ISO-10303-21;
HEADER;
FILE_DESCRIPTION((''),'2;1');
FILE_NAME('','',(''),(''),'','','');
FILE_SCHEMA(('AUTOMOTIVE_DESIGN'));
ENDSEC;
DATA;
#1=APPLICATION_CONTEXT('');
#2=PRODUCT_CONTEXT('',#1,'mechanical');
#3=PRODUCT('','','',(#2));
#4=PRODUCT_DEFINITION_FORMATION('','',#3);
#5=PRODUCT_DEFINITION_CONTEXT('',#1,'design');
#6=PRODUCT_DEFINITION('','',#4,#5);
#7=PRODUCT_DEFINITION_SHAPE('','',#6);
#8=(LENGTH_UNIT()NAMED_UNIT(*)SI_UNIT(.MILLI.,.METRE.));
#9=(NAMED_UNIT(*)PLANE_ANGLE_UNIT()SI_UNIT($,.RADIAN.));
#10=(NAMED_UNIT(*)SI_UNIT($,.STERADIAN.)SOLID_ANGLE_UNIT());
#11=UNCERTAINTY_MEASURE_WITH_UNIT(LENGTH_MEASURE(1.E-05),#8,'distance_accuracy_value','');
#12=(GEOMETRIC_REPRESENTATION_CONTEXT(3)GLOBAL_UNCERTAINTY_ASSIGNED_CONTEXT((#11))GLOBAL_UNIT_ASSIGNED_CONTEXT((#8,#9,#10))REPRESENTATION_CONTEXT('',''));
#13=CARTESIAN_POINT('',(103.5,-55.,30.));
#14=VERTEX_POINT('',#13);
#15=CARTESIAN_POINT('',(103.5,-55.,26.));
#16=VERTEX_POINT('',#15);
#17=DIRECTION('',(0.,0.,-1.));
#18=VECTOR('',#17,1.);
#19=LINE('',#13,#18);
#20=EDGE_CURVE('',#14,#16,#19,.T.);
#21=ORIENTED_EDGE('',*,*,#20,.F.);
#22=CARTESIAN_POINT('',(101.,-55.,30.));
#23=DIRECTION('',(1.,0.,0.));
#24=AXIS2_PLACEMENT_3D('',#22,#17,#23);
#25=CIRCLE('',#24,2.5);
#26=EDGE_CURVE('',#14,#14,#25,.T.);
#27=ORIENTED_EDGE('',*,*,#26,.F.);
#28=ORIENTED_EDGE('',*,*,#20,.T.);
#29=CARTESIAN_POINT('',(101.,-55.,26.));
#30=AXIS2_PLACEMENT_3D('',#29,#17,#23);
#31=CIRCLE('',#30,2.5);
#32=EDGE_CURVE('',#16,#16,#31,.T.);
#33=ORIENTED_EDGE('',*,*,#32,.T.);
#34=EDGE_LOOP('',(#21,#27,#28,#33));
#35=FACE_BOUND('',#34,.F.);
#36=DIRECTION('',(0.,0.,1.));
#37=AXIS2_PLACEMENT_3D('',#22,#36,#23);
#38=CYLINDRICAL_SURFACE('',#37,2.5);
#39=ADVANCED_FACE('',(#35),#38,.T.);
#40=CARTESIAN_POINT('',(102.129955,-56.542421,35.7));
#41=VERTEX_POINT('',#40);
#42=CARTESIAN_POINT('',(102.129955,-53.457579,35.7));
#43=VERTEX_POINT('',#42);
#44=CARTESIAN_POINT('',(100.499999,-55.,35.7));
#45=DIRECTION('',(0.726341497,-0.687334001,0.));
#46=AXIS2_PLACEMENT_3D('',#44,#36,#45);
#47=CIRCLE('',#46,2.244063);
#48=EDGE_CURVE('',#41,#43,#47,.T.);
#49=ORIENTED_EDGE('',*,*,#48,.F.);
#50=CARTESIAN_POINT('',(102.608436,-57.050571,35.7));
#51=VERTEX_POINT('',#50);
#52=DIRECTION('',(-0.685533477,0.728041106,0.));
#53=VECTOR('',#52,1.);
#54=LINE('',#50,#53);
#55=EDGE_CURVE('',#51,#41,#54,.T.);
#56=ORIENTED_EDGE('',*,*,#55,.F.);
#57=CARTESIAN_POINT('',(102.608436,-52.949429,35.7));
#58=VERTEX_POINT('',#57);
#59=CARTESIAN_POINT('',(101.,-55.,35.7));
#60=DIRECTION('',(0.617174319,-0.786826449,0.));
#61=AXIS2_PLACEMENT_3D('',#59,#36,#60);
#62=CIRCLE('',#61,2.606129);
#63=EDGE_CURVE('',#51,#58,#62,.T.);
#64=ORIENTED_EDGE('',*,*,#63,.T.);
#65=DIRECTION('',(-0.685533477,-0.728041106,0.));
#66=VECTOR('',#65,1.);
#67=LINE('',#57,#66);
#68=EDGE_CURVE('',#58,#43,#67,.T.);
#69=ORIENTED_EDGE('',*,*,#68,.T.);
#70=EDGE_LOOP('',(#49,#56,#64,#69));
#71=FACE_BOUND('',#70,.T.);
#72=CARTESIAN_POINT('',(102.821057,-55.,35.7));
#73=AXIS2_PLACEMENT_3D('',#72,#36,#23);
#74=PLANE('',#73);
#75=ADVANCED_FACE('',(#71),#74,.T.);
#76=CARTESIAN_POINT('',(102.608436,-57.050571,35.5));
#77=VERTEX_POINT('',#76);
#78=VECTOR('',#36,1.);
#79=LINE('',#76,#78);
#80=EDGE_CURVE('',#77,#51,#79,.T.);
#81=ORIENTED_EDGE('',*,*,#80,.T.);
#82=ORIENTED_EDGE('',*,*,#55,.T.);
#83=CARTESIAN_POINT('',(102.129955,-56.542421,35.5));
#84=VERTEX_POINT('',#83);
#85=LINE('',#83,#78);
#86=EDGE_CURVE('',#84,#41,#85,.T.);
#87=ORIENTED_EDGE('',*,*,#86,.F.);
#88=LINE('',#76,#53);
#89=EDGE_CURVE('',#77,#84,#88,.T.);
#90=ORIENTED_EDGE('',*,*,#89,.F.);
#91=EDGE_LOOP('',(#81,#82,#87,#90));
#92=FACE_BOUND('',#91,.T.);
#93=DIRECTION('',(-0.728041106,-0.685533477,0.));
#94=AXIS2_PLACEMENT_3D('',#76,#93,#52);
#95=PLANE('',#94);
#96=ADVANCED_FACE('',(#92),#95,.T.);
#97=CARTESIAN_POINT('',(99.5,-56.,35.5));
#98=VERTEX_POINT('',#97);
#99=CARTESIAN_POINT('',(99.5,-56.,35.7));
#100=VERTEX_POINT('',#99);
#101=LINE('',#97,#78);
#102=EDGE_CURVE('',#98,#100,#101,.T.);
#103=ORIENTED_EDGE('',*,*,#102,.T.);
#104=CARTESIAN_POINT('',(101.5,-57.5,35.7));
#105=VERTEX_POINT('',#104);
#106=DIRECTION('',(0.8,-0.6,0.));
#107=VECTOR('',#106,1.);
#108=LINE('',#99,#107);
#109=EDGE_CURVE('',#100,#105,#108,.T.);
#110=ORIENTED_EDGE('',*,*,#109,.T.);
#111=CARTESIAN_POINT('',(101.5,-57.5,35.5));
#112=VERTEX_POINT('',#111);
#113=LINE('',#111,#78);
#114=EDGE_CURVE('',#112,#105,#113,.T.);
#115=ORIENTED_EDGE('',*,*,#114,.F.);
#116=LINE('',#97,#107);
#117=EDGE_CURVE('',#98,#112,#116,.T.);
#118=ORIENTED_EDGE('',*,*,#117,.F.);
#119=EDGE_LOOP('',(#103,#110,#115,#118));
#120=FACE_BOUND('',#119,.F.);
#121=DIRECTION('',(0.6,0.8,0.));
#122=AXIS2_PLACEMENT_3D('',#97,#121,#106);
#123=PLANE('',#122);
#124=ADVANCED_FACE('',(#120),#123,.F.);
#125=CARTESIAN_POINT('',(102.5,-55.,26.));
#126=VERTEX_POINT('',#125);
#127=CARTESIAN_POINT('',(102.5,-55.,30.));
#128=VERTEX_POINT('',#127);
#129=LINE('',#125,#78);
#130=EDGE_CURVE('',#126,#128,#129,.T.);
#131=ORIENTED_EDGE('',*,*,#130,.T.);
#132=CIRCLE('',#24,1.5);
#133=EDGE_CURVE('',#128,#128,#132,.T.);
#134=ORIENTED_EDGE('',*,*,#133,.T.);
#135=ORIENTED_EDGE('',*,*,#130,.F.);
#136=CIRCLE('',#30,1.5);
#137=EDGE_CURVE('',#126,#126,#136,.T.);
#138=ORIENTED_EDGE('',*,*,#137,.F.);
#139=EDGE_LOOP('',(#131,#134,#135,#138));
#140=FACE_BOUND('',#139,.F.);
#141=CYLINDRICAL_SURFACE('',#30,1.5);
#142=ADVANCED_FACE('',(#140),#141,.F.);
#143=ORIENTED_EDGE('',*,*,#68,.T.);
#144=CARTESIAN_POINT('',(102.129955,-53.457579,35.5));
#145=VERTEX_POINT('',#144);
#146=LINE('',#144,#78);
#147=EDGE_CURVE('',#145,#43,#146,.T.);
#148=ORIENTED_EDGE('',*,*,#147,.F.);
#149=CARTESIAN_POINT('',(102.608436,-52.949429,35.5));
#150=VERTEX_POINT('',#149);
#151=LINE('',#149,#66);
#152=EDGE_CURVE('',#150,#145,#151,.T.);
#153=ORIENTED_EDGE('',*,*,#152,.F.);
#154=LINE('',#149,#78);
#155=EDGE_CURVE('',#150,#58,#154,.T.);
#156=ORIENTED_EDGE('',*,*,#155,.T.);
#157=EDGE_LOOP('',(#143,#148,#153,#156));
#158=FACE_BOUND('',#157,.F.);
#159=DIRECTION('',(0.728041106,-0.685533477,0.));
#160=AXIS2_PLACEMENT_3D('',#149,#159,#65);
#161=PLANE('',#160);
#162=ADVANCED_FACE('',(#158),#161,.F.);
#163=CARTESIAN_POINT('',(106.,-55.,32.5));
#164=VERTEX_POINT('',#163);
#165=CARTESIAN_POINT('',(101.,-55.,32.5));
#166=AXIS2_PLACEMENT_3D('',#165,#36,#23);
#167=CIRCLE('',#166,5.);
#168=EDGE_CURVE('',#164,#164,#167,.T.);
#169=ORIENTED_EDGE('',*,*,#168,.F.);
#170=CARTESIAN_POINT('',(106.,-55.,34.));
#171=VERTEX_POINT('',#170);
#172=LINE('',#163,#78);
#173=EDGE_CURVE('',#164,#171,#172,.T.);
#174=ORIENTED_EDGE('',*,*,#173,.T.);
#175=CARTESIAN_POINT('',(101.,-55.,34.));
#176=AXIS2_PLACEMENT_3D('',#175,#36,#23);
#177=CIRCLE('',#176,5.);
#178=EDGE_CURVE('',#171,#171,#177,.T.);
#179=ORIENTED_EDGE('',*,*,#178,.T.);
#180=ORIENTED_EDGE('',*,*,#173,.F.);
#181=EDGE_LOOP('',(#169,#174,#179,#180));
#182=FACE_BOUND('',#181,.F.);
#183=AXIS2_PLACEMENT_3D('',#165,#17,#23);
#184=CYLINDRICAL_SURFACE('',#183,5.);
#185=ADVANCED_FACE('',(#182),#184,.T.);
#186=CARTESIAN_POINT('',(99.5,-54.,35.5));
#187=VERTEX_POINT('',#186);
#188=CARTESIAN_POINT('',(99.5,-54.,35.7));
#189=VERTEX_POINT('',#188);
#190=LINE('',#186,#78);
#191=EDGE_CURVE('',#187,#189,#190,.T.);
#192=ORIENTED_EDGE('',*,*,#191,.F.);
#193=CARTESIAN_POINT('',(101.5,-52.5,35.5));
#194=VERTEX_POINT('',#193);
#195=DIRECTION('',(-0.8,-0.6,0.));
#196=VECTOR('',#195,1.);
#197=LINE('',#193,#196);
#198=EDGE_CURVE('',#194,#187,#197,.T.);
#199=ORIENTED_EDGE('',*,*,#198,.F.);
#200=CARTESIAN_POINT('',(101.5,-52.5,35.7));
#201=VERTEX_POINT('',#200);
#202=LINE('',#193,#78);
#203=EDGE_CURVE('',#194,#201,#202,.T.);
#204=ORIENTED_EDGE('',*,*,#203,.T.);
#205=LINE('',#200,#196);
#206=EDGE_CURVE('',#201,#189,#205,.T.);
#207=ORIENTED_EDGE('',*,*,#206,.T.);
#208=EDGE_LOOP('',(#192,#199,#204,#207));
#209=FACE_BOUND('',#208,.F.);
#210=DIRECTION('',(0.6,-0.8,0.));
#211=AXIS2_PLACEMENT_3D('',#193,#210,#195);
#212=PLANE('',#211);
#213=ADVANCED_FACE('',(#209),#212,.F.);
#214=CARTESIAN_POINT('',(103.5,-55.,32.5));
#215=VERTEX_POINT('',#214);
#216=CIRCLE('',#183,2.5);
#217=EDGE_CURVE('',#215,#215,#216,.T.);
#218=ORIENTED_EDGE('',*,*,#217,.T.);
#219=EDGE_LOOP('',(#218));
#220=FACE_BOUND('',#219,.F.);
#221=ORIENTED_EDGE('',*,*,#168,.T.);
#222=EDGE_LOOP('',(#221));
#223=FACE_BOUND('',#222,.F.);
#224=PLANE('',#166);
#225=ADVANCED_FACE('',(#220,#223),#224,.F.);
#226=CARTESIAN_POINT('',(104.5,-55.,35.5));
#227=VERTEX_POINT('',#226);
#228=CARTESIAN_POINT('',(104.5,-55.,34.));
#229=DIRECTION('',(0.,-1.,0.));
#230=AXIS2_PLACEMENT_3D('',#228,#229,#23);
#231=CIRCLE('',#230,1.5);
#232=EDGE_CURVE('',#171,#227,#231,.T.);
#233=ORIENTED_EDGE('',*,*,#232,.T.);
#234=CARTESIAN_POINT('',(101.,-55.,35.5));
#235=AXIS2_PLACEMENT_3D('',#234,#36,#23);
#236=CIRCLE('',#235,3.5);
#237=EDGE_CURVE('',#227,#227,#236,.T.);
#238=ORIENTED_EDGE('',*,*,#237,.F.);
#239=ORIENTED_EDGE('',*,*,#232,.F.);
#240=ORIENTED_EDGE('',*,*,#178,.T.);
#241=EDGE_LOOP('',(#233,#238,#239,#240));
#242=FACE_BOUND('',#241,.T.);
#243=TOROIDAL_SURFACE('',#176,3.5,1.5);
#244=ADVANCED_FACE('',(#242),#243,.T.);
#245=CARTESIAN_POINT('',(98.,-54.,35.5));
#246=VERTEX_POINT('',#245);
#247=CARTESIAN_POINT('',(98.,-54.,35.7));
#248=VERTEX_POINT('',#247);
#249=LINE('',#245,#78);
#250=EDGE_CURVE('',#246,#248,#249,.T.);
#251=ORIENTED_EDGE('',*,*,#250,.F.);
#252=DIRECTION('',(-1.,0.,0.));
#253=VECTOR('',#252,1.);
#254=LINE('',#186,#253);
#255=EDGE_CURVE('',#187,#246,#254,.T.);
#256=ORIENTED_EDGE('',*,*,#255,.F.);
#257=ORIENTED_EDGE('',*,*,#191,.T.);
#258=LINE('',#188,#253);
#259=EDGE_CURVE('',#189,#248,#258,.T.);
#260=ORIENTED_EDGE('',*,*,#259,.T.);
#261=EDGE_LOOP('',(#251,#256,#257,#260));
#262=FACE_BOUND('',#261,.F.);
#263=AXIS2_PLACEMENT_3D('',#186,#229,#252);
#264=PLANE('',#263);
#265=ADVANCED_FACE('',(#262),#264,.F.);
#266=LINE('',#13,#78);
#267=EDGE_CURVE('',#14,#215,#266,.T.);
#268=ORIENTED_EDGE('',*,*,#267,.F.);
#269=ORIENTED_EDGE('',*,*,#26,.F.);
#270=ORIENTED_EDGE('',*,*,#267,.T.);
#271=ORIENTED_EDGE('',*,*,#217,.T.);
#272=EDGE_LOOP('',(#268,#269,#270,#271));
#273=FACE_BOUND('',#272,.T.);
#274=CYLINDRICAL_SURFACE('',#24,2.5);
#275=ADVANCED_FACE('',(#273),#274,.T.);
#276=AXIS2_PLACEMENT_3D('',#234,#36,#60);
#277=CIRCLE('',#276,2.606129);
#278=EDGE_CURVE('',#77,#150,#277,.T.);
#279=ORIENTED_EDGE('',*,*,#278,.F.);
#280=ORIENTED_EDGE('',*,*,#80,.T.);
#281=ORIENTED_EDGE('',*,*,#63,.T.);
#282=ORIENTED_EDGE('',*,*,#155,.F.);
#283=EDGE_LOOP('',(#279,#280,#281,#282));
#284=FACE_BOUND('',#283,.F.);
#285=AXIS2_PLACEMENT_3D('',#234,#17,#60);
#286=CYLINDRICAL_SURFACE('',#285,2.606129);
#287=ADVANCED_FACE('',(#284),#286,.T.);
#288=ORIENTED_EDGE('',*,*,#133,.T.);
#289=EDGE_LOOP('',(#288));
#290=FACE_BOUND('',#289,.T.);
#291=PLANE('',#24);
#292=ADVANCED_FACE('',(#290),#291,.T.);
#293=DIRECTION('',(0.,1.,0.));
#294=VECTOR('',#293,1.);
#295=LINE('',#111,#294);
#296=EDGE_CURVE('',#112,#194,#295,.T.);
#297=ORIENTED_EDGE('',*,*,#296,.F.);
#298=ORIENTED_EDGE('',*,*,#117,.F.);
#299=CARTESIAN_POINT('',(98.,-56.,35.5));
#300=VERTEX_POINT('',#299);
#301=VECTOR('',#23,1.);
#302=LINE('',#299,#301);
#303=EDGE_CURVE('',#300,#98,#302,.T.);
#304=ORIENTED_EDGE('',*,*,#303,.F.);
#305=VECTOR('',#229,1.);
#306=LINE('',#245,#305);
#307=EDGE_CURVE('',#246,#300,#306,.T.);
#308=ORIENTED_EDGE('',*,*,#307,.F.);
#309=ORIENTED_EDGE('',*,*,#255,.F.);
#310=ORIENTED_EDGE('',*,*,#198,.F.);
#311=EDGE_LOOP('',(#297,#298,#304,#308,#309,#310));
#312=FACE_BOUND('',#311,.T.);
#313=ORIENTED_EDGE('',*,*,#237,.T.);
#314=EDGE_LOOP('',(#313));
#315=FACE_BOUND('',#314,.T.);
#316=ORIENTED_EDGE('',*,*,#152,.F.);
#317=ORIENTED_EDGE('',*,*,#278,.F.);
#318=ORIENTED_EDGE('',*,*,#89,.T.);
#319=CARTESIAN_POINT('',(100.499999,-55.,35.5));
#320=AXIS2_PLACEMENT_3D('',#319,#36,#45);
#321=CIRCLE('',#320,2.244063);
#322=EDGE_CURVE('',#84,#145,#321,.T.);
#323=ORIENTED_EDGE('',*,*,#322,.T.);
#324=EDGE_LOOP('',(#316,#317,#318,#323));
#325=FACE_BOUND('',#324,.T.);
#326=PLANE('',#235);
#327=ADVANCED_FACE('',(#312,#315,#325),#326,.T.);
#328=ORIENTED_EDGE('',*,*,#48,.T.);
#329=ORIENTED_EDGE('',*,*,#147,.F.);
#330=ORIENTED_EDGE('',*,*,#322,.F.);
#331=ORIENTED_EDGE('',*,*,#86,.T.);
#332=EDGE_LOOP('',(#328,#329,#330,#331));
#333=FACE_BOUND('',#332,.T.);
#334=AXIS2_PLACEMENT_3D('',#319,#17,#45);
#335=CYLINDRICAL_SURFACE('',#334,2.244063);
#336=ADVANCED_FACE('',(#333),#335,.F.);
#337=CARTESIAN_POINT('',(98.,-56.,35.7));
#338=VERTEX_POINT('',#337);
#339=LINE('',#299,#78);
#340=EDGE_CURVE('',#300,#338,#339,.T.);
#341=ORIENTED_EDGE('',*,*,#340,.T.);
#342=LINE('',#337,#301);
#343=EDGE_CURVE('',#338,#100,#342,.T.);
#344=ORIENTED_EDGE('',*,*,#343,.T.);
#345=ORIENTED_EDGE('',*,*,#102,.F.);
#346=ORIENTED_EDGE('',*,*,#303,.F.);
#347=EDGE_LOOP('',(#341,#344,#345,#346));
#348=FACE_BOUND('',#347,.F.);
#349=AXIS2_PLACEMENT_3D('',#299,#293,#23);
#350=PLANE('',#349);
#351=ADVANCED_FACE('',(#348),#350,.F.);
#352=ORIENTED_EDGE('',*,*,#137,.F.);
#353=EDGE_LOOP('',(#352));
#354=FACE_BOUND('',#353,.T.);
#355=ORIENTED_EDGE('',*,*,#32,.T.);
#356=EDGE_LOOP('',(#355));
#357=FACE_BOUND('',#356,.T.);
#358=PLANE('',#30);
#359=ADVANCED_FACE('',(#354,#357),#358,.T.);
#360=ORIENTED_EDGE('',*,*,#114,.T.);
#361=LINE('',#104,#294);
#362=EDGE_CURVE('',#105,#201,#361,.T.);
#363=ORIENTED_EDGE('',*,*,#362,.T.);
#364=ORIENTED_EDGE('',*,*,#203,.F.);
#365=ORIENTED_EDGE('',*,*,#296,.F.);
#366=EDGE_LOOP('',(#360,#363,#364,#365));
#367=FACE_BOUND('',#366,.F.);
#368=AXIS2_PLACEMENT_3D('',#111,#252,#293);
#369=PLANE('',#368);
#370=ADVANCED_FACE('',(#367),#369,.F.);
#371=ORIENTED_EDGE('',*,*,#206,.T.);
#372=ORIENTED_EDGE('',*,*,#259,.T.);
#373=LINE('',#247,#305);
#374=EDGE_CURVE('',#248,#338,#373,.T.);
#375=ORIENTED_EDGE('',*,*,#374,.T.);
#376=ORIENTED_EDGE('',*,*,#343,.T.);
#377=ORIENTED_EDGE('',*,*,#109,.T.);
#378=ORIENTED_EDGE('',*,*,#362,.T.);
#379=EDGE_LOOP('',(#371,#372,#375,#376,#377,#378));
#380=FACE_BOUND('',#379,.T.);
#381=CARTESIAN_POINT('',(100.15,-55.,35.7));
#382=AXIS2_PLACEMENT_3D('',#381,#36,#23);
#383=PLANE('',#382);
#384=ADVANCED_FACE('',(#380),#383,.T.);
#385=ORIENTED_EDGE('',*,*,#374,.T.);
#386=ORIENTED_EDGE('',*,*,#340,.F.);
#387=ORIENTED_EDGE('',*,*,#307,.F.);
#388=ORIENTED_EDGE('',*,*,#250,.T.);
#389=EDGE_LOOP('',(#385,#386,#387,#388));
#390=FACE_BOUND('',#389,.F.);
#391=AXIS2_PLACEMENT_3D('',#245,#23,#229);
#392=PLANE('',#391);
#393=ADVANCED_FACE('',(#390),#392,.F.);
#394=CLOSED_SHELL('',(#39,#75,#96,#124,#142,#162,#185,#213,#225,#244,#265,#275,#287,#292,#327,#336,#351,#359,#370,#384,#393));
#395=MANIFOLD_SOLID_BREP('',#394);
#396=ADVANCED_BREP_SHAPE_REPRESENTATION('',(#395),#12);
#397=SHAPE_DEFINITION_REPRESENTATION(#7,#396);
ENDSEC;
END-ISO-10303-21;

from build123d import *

# Parameters (mm, degrees)
SKETCH046_R     = 2.5
PAD023_DEPTH    = 2.5
SKETCH047_R     = 5
PAD024_DEPTH    = 3
FILLET003_R     = 1.5
SKETCH049_R     = 2.5
PAD025_DEPTH    = 4
SKETCH050_R     = 1.5
POCKET026_DEPTH = 4
PAD055_DEPTH    = 0.2


with BuildPart() as part:
    # Sketch046 → Pad023 (new body)
    with BuildSketch(Plane(origin=(0, 0, 30), x_dir=(1, 0, 0), z_dir=(0, 0, -1))):
        with Locations((101, 55)):
            Circle(SKETCH046_R)
    extrude(amount=-PAD023_DEPTH)

    # Sketch047 (on Face3 of Pad023) → Pad024 (join)
    with BuildSketch(Plane.XY.offset(32.5)):
        with Locations((101, -55)):
            Circle(SKETCH047_R)
    extrude(amount=PAD024_DEPTH)

    # Fillet003
    fillet003_edges = [part.edges().sort_by_distance(p)[0] for p in [
        (96, -55, 35.5),
    ]]
    fillet(fillet003_edges, radius=FILLET003_R)

    # Sketch049 → Pad025 (join)
    with BuildSketch(Plane(origin=(0, 0, 30), x_dir=(1, 0, 0), z_dir=(0, 0, -1))):
        with Locations((101, 55)):
            Circle(SKETCH049_R)
    extrude(amount=PAD025_DEPTH)

    # Sketch050 (on Face17 of Pad025) → Pocket026 (cut)
    with BuildSketch(Plane(origin=(0, 0, 26), x_dir=(1, 0, 0), z_dir=(0, 0, -1))):
        with Locations((101, 55)):
            Circle(SKETCH050_R)
    extrude(amount=-POCKET026_DEPTH, mode=Mode.SUBTRACT)


with BuildPart() as part_1:
    # Body002 placement: moved
    add(part.part.moved(Location((75, 0, 0))))

    # Sketch089 (on Face4 of Clone) → Pad055 (new body)
    with BuildSketch(Plane(origin=(176, -55, 35.5), x_dir=(1, 0, 0), z_dir=(0, 0, 1))):
        Polygon((-3, 1), (-3, -1), (-1.5, -1), (0.5, -2.5), (0.5, 2.5), (-1.5, 1), align=None)
        with BuildLine():
            ThreePointArc((1.608436, -2.050571), (2.606129, 0), (1.608436, 2.050571))
            Line((1.608436, 2.050571), (1.129955, 1.542421))
            ThreePointArc((1.129955, -1.542421), (1.744062, 0), (1.129955, 1.542421))
            Line((1.608436, -2.050571), (1.129955, -1.542421))
        make_face()
    extrude(amount=PAD055_DEPTH)


with BuildPart() as part_2:
    # Body012 placement: moved
    add(part_1.part.moved(Location((-75, 0, 0))))


solid = part_2.part
